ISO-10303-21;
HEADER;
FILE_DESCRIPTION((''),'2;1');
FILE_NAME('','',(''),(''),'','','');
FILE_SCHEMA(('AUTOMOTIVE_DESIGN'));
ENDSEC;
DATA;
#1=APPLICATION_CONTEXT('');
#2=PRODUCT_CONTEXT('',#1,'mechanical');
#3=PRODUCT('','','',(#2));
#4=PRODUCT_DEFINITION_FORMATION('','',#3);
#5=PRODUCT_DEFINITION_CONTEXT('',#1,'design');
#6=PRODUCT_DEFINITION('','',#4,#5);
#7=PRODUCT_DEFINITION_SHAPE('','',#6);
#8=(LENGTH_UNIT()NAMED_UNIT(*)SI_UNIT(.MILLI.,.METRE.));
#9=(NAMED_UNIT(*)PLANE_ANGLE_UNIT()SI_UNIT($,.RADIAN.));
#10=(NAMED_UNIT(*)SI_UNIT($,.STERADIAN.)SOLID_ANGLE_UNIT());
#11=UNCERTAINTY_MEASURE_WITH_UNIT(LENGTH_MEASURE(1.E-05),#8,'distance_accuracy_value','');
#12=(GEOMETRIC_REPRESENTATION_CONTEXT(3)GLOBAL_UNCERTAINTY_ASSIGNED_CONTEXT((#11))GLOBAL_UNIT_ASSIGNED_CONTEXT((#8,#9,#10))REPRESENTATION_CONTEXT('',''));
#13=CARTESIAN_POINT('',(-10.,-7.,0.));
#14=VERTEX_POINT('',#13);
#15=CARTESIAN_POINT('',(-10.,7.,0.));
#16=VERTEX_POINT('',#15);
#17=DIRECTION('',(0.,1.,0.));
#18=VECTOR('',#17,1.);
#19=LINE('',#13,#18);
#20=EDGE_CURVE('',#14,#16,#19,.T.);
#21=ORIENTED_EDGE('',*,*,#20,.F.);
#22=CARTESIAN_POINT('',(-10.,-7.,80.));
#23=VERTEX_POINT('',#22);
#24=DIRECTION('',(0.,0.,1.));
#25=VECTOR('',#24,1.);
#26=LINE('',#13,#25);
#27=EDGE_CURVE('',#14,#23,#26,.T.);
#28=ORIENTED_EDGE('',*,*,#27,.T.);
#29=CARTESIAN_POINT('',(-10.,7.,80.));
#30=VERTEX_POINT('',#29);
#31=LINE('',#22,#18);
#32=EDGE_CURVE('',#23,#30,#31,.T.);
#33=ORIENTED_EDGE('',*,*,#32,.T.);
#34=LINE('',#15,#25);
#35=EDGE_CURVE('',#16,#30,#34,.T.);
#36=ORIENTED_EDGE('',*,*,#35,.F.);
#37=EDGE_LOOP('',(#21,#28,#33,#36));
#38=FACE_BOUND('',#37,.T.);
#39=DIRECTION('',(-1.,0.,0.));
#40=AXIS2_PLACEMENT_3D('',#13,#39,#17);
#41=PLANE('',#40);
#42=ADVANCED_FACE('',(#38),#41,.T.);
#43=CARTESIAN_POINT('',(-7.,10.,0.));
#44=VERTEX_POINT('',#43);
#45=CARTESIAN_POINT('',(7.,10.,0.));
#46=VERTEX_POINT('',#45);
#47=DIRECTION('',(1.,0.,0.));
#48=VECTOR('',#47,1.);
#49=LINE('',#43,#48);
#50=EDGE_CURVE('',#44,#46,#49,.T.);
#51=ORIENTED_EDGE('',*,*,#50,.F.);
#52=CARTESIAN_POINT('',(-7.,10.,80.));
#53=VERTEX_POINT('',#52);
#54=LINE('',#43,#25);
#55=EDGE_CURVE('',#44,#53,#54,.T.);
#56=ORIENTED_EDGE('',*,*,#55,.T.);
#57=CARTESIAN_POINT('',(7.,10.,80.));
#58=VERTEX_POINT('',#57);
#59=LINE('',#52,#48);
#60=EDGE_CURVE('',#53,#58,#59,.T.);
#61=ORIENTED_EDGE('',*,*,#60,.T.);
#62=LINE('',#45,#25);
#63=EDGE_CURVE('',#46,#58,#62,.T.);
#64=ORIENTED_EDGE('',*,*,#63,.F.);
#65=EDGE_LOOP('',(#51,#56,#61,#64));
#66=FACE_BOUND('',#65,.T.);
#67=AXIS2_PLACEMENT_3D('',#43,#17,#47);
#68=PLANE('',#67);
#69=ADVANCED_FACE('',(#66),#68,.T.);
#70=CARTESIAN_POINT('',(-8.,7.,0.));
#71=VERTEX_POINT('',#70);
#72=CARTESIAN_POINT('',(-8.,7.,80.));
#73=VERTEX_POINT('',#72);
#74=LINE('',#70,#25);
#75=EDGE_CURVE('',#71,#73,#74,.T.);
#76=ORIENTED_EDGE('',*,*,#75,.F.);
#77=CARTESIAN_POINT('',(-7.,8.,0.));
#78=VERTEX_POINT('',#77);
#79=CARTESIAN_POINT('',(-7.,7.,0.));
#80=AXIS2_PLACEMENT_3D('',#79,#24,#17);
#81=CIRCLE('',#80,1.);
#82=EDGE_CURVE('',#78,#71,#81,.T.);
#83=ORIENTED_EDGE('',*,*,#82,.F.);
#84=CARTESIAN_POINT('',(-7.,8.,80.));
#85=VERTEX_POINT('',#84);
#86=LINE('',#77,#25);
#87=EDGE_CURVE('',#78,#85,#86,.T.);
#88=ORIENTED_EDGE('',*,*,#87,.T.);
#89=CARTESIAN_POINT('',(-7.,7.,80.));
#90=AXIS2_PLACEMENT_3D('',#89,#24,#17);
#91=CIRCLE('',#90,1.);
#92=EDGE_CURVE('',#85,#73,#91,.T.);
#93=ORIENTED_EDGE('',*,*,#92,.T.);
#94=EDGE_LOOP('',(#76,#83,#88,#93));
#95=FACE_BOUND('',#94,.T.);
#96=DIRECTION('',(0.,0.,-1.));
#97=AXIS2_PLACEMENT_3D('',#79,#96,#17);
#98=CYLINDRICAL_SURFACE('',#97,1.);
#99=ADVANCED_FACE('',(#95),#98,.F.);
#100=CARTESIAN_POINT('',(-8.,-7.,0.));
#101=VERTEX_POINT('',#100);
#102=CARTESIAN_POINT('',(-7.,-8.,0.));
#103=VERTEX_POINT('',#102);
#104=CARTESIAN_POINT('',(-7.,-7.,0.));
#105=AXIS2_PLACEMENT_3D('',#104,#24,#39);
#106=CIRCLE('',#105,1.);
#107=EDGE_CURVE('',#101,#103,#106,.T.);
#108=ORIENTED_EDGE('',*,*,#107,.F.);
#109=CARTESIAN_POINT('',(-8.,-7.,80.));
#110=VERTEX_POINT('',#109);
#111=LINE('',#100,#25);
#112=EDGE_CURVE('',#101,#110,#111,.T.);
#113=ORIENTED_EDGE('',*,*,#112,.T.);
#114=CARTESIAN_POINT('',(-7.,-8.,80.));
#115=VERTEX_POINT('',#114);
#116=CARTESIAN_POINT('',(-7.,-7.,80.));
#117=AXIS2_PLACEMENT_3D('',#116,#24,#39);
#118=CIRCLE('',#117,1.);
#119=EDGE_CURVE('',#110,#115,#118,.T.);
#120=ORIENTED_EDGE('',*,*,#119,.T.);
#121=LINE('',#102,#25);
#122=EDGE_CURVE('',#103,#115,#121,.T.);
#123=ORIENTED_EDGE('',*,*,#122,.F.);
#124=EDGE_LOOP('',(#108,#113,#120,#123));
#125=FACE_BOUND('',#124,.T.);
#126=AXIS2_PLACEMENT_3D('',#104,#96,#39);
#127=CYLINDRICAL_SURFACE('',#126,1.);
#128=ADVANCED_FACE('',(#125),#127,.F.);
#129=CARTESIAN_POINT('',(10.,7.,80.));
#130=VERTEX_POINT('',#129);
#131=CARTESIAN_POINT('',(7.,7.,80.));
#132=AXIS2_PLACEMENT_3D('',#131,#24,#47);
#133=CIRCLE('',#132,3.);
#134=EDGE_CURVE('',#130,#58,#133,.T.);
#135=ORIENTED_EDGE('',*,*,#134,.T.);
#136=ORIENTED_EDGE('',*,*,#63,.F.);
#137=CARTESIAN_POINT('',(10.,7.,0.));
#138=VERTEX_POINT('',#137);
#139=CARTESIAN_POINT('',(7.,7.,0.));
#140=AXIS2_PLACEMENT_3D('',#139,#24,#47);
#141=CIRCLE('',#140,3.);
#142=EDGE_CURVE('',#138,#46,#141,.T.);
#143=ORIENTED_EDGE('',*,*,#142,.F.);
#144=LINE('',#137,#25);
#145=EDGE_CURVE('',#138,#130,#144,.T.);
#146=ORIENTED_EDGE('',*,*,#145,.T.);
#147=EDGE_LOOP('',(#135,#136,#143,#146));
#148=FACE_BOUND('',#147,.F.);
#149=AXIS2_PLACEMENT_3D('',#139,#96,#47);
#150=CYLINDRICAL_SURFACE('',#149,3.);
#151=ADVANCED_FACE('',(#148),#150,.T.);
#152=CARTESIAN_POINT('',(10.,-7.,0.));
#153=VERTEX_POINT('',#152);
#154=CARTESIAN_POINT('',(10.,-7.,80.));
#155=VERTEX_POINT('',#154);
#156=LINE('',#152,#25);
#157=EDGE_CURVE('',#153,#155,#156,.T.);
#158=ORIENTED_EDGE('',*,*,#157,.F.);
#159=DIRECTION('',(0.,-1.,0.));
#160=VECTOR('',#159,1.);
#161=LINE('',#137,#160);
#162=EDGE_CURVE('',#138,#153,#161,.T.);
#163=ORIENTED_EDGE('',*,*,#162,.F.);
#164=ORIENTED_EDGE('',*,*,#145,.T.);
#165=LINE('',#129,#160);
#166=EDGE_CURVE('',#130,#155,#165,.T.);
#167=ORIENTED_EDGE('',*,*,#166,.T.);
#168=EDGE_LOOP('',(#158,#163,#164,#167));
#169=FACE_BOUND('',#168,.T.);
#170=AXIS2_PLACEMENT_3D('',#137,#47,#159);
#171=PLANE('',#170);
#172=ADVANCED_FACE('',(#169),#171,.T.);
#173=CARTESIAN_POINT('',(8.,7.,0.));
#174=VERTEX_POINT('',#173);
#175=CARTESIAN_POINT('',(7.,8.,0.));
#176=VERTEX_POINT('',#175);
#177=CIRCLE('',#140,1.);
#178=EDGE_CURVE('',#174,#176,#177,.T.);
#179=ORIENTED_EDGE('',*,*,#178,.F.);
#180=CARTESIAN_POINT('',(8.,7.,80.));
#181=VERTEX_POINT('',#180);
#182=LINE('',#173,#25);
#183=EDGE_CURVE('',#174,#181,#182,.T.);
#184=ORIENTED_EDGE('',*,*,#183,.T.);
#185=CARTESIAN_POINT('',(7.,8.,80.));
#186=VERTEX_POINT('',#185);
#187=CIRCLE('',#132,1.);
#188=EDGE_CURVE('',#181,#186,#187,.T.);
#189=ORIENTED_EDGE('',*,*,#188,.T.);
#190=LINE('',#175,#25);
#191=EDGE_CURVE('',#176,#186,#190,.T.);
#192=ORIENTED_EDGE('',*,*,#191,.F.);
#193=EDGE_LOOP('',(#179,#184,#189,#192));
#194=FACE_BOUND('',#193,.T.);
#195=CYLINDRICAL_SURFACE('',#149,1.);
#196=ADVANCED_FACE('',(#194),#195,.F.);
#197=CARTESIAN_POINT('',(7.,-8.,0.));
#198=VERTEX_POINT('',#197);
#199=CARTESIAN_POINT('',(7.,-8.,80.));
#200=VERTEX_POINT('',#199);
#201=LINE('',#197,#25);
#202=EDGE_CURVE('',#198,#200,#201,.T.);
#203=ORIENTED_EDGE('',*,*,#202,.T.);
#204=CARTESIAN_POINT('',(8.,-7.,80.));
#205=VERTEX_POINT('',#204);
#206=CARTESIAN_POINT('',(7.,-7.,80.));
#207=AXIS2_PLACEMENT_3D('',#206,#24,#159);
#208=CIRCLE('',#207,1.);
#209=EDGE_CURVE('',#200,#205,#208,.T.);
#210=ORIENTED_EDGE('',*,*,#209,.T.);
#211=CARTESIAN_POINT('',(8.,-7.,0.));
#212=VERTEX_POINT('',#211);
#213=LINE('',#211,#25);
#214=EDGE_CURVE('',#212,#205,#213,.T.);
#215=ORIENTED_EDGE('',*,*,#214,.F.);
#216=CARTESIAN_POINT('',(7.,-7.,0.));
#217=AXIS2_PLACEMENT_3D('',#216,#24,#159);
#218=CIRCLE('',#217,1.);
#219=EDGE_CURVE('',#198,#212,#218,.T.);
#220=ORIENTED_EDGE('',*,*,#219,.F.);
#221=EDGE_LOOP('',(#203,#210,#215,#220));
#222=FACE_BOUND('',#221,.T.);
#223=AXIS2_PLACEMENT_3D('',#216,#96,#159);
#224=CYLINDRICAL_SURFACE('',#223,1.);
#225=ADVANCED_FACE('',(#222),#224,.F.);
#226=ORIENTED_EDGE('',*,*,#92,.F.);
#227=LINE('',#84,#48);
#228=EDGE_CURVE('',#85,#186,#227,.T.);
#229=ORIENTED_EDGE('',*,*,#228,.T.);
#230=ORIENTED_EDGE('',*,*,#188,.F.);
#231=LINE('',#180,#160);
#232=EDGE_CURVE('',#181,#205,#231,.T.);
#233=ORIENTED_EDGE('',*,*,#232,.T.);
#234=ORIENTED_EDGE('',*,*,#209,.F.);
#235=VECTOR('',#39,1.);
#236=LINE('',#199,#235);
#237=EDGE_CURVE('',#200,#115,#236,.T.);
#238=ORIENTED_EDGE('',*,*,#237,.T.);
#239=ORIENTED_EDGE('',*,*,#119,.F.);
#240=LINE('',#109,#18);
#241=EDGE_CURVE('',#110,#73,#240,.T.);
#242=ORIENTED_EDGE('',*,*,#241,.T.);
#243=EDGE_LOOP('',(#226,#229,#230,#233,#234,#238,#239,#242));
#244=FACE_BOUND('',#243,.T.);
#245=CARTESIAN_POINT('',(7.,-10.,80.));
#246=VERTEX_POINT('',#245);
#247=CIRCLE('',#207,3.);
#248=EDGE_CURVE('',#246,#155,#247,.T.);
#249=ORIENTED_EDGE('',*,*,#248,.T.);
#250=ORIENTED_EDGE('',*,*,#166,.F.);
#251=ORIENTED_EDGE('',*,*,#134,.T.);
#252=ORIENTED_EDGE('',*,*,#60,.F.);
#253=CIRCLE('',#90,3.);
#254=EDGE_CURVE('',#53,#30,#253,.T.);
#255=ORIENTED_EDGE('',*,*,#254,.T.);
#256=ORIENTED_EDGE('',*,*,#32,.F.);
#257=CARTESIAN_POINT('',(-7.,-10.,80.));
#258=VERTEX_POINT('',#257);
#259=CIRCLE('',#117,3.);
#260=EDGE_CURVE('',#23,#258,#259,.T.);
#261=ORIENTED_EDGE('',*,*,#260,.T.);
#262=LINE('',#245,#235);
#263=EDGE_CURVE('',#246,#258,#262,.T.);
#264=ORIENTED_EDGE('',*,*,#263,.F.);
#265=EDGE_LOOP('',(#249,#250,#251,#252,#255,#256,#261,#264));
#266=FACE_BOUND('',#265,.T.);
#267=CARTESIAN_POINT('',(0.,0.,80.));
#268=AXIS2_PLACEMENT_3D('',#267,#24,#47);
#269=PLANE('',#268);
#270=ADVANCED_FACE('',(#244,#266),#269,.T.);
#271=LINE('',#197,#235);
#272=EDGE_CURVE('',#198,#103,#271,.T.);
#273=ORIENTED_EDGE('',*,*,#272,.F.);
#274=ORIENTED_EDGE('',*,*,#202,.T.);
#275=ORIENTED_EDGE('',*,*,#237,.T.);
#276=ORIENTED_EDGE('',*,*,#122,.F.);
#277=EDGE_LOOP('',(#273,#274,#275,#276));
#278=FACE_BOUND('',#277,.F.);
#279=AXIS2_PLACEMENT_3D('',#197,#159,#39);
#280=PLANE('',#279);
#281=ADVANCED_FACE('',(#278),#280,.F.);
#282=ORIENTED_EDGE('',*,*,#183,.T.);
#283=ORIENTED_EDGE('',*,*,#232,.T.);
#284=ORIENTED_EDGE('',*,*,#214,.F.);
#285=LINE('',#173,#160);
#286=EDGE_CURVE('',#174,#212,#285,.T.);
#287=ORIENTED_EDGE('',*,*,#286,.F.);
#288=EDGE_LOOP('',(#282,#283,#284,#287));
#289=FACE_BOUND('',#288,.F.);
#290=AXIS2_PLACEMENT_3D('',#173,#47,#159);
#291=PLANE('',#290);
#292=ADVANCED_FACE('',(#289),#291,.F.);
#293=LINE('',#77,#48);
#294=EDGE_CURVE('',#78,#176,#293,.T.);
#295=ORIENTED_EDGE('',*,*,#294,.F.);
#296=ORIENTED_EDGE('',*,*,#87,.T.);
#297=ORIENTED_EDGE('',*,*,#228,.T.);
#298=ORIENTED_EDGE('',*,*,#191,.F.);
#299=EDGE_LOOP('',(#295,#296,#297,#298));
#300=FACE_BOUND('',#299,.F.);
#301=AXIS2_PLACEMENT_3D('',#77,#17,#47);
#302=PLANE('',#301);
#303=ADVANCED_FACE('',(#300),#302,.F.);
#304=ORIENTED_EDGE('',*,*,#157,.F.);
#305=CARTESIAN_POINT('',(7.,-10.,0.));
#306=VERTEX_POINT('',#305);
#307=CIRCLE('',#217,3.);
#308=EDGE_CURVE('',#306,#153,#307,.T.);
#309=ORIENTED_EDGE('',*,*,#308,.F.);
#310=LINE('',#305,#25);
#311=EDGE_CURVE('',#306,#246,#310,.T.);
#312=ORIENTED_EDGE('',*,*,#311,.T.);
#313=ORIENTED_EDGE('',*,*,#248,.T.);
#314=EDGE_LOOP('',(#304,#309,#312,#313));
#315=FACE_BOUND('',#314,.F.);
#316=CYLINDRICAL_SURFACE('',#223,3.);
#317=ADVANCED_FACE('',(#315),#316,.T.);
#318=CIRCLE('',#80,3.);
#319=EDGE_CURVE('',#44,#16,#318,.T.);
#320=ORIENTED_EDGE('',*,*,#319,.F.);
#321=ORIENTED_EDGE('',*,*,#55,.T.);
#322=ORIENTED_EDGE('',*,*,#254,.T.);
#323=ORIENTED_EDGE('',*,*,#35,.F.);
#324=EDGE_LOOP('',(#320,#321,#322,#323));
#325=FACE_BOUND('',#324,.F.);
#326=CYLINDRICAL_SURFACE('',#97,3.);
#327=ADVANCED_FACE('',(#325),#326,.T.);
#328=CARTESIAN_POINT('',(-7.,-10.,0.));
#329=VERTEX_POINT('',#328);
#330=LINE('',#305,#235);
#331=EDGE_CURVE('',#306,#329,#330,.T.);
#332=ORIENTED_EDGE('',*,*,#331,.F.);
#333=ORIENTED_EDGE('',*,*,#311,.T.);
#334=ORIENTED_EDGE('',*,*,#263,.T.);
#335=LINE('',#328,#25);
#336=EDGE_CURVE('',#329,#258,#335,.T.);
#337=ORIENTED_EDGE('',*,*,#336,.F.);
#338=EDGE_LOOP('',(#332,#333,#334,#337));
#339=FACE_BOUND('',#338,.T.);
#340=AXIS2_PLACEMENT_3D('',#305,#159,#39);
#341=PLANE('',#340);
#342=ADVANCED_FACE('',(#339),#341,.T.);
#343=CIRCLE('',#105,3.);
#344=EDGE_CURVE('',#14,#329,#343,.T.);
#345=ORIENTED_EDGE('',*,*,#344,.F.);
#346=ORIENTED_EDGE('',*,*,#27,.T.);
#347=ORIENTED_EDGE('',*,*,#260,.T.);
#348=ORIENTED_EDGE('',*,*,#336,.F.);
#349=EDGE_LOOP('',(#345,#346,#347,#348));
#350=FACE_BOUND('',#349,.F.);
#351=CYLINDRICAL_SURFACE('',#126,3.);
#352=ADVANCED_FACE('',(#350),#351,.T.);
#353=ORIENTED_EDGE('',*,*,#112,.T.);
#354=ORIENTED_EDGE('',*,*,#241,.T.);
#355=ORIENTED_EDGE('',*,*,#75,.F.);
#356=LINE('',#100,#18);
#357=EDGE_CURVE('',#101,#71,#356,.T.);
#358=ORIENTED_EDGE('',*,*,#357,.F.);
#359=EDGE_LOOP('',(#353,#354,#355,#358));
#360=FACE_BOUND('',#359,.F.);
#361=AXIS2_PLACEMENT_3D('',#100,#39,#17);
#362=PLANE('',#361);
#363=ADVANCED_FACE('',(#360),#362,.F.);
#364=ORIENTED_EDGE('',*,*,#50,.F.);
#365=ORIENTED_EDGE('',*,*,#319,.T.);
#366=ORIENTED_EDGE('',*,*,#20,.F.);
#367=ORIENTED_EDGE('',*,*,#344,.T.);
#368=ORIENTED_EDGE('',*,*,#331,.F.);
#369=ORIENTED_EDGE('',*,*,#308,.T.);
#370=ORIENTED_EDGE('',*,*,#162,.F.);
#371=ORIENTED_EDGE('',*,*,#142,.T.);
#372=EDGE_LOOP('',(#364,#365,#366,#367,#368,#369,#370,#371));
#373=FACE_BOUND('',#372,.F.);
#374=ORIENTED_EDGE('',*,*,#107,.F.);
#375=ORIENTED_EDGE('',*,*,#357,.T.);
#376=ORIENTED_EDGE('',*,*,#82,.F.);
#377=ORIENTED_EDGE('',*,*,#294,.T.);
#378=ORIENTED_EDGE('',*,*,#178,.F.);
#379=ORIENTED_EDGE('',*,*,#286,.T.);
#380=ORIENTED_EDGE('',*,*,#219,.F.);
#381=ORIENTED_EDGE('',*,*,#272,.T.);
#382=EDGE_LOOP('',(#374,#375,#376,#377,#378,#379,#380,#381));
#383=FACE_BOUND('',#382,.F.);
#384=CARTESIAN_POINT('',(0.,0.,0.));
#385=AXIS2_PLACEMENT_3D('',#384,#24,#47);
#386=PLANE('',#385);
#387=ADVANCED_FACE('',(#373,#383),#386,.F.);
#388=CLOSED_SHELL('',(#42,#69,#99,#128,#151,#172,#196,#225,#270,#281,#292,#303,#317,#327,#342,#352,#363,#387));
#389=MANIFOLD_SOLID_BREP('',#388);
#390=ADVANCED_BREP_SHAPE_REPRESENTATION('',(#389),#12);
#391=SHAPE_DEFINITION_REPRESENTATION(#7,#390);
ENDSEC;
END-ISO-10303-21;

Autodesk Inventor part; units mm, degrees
ref_plane "YZ Plane" through (0, 0, 0) normal (1, 0, 0) x (0, 1, 0)
ref_plane "Start Plane" through (0, 0, 0) normal (0, 0, 1) x (1, 0, 0)
ref_plane "End Plane" through (0, 0, 80) normal (0, 0, 1) x (1, 0, 0)
sketch "Sketch" plane through (0, 0, 0) normal (0, 0, 1) x (1, 0, 0)
  line L0 (-10, -7) -> (-10, 7)
  line L1 (-7, 10) -> (7, 10)
  line L2 (10, 7) -> (10, -7)
  line L3 (7, -10) -> (-7, -10)
  arc A0 (-10, -7) -> (-7, -10) centre (-7, -7) ccw
  arc A1 (-7, 10) -> (-10, 7) centre (-7, 7) ccw
  arc A2 (10, 7) -> (7, 10) centre (7, 7) ccw
  arc A3 (7, -10) -> (10, -7) centre (7, -7) ccw
  arc A4 (-7, 8) -> (-8, 7) centre (-7, 7) ccw
  line L4 (-7, 8) -> (7, 8)
  arc A5 (8, 7) -> (7, 8) centre (7, 7) ccw
  line L5 (8, 7) -> (8, -7)
  arc A6 (7, -8) -> (8, -7) centre (7, -7) ccw
  line L6 (7, -8) -> (-7, -8)
  arc A7 (-8, -7) -> (-7, -8) centre (-7, -7) ccw
  line L7 (-8, -7) -> (-8, 7)
  line L8 (0, 14.8698) -> (0, -14.8698) construction
  line L9 (-14.8698, 0) -> (14.8698, 0) construction
  dimension "d7" = 3
  dimension "d10" = 20
  dimension "d11" = 20
  dimension "d12" = 2
  dimension "d15" = 10
  dimension "d16" = 10
extrude "Body" add sketch "Sketch" along normal up to surface (80 mm away) from surface at 0
sketch "Sketch3" plane through (0, 0, 0) normal (0, 0, 1) x (1, 0, 0)
  line L0 (0, 0) -> (10, 0)
ref_plane "Work Plane3" through (0, 0, 0) normal (0, -1, 0) x (1, 0, 0)
sketch "Sketch4" plane through (0, 0, 0) normal (0, -1, 0) x (1, 0, 0)
  line L0 (-2, 0) -> (12, 0)
  line L1 (-2, 80) -> (12, 80)
  dimension "d18" = 80
equation "\"d7\" = G_IR"
equation "\"d10\" = G_H"
equation "\"d11\" = G_W"
equation "\"d12\" = G_T"
equation "\"d15\" = 0.5 * d10"
equation "\"d16\" = 0.5 * d11"
equation "\"d3\" = G_L"
equation "\"G_W\" = 20"
equation "\"G_H\" = 20"
equation "\"G_T\" = 2"
equation "\"G_IR\" = 3"
equation "\"G_L\" = d18"
equation "\"G_OFFSET_START\" = 0"
equation "\"G_OFFSET_END\" = 0"
properties part number "ISO 12633-2 - 20x20x2 - 80" material "Steel, Mild"
